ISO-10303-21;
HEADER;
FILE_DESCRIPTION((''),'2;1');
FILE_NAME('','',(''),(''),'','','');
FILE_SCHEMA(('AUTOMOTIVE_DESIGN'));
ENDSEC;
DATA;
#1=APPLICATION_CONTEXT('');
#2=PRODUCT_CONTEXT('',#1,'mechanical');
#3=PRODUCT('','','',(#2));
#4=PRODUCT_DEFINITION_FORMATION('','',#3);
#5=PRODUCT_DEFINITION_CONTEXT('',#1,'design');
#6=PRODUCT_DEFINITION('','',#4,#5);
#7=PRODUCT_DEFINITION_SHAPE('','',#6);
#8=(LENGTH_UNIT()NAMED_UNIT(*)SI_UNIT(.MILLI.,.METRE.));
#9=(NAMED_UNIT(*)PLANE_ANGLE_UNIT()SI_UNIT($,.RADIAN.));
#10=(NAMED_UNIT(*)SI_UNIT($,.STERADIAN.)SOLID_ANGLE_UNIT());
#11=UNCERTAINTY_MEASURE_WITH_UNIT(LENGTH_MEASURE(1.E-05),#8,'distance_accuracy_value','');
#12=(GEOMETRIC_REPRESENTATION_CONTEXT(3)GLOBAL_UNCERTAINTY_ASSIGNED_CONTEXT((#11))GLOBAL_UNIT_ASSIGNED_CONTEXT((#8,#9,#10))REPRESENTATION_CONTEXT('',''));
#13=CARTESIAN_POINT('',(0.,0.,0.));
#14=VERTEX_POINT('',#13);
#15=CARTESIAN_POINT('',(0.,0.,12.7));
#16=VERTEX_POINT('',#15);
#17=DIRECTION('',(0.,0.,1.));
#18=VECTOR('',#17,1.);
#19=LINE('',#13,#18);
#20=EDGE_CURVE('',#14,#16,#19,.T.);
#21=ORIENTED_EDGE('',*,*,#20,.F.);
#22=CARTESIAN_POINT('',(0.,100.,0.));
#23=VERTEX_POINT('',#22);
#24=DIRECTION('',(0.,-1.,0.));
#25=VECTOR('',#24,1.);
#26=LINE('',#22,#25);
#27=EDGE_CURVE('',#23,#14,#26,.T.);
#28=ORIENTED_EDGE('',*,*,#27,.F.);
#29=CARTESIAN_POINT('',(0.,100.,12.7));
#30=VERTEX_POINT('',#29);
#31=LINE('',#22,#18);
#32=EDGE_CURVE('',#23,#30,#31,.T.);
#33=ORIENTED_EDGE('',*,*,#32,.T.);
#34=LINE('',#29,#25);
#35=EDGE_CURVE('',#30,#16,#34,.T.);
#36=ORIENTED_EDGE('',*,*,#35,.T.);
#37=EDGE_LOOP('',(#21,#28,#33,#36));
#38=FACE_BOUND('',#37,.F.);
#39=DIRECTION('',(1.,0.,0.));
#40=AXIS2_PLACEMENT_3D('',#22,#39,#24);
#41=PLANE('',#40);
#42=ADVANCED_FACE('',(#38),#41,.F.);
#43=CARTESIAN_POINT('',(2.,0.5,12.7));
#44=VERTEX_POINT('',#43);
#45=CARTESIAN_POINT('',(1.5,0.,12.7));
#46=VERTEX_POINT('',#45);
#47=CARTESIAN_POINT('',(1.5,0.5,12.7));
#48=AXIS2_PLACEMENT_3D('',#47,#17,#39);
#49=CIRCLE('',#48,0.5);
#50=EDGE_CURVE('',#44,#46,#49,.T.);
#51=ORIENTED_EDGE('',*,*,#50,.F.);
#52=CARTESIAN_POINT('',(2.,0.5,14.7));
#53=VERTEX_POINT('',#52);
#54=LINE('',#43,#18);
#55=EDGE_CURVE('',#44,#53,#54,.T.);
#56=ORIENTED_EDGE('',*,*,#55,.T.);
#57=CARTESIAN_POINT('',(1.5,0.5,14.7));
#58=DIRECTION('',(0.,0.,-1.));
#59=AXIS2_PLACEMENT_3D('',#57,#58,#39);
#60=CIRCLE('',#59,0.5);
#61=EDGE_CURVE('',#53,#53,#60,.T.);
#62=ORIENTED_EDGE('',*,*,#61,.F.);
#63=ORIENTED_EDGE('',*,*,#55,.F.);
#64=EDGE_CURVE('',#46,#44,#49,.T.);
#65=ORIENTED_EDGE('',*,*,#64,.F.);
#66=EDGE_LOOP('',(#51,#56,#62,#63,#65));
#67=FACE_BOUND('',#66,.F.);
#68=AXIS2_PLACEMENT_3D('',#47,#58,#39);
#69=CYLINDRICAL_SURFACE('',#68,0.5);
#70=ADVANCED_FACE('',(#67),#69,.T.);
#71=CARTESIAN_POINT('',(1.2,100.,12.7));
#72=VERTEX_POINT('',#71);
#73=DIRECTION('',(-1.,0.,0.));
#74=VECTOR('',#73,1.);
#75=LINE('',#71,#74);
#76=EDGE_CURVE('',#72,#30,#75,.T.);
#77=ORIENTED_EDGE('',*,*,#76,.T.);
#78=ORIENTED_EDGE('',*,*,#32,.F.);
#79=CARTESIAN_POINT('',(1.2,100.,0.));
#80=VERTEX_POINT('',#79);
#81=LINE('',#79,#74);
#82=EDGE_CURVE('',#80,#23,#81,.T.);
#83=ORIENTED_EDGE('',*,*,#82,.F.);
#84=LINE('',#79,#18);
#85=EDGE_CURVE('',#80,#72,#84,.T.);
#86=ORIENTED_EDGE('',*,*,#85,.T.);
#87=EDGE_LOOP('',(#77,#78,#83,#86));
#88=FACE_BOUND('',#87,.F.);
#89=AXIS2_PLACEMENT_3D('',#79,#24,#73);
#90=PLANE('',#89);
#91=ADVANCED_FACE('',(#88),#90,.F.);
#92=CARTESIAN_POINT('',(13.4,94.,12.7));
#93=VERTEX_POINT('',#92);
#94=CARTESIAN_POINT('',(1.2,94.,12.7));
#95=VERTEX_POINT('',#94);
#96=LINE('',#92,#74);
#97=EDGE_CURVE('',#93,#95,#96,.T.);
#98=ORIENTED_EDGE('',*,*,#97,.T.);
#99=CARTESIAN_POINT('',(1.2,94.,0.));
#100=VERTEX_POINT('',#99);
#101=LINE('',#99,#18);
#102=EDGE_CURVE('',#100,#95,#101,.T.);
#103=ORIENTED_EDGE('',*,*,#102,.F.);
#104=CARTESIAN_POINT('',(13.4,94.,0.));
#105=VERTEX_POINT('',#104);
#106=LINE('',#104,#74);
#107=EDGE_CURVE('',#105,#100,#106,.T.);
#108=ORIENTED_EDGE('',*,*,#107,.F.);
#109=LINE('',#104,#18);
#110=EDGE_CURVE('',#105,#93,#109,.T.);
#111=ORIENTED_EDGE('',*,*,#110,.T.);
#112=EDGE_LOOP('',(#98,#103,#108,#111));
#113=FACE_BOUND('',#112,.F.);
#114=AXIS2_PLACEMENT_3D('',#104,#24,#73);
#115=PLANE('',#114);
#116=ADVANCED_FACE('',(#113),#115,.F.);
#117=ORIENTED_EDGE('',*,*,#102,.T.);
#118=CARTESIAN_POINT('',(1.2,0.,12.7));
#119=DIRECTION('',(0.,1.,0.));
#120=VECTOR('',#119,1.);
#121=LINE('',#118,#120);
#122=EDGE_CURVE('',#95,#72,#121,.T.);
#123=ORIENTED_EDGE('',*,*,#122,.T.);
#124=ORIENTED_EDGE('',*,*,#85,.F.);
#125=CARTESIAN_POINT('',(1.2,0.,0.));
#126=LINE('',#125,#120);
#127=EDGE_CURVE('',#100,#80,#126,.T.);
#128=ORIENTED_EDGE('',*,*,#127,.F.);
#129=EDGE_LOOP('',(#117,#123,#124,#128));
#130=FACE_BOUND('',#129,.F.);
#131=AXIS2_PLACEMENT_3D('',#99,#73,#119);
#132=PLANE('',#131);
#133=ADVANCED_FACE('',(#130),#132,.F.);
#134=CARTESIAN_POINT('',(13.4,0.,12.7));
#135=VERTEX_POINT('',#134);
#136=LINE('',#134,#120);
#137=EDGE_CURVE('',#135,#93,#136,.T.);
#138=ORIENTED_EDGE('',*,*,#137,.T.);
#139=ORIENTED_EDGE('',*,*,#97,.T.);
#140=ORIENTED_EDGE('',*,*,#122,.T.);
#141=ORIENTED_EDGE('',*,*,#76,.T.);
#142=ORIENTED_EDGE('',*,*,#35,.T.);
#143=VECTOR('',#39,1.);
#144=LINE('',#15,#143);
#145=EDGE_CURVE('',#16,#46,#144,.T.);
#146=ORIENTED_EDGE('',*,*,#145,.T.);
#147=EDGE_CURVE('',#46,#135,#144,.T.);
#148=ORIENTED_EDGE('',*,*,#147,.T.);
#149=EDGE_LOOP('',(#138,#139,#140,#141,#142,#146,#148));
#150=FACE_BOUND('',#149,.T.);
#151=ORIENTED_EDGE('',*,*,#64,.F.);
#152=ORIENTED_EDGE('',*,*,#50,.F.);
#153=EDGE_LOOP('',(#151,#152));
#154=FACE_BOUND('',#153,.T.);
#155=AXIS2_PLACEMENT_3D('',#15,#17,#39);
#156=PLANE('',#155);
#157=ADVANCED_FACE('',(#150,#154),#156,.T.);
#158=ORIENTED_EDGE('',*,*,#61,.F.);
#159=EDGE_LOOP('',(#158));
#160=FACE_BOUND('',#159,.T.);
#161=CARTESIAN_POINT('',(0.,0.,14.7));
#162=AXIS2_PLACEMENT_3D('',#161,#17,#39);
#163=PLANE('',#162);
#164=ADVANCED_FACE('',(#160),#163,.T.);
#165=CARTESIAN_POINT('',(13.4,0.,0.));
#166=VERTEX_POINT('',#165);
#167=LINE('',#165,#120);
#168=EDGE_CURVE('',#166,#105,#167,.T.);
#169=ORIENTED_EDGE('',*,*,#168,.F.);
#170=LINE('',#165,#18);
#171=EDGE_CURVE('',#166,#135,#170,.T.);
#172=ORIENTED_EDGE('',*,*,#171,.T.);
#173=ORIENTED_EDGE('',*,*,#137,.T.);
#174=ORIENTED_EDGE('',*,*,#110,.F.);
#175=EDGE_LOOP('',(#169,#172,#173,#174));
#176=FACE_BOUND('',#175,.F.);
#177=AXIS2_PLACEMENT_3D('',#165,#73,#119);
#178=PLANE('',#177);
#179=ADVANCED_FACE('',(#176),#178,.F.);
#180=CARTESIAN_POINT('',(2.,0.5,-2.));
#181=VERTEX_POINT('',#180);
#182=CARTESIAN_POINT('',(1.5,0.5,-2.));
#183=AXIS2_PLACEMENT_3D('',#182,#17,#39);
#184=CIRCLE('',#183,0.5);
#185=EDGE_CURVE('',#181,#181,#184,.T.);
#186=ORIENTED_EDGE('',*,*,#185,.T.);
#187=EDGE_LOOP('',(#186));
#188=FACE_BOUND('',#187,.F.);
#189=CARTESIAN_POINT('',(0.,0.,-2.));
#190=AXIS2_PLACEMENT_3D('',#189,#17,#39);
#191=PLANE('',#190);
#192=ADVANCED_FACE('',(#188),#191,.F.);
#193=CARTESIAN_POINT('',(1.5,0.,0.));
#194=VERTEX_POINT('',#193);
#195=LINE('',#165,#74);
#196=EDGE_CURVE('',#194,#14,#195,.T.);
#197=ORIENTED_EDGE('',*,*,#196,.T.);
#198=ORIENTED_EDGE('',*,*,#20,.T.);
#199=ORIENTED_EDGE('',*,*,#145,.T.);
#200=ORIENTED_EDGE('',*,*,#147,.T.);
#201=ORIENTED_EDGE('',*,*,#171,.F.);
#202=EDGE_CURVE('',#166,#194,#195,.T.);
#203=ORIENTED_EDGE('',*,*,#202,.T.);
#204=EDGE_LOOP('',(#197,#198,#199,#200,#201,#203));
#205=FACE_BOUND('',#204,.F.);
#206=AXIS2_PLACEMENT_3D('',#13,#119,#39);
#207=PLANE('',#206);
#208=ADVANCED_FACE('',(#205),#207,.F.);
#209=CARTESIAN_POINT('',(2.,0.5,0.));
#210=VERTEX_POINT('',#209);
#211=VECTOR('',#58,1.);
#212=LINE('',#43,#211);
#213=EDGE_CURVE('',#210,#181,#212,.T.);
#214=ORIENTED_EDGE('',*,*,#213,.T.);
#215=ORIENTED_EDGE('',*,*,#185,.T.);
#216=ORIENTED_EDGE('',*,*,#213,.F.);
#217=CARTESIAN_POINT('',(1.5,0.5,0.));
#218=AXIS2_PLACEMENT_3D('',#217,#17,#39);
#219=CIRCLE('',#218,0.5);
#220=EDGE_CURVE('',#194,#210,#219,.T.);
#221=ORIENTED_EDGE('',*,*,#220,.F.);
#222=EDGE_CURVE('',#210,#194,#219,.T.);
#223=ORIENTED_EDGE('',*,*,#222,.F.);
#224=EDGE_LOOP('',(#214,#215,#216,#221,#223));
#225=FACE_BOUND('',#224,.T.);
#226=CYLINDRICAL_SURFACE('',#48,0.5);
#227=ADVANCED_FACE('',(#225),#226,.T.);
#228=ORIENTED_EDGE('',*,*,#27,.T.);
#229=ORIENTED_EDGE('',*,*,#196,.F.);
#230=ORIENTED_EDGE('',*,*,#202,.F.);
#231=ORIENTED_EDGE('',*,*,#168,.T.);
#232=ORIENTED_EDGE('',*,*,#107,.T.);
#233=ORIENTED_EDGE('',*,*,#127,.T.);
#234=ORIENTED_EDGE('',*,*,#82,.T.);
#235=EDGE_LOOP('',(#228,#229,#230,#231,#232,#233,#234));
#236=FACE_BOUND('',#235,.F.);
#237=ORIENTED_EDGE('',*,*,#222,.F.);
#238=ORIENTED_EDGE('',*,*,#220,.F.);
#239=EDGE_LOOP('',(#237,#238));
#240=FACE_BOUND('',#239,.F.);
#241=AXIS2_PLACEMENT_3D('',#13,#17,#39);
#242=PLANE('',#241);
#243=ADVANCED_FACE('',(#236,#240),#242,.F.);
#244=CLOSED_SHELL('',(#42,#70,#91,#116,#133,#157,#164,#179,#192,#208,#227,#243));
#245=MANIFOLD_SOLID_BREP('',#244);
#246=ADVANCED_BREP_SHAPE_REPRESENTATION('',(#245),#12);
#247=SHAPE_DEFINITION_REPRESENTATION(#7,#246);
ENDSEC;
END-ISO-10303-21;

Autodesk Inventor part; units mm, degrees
ref_plane "YZ Plane" through (0, 0, 0) normal (1, 0, 0) x (0, 1, 0)
ref_plane "XZ Plane" through (0, 0, 0) normal (0, 1, 0) x (-1, 0, 0)
ref_plane "XY Plane" through (0, 0, 0) normal (0, 0, 1) x (1, 0, 0)
sketch "Sketch1" plane through (0, 0, 0) normal (0, 0, 1) x (1, 0, 0)
  line L0 (1.2, 100) -> (0, 100)
  line L1 (0, 100) -> (0, 0)
  line L2 (0, 0) -> (1.2, 0)
  line L3 (1.2, 0) -> (1.2, 100)
  line L4 (1.2, 0) -> (13.4, 0)
  line L5 (13.4, 0) -> (13.4, 94)
  line L6 (13.4, 94) -> (1.2, 94)
  line L7 (1.2, 94) -> (1.2, 0)
  dimension "d0" = 1.2
  dimension "d1" = 100
  dimension "d2" = 12.2
  dimension "d3" = 94
extrude "Extrusion1" add sketch "Sketch1" along normal blind 12.7
sketch "Sketch2" plane through (0, 0, 12.7) normal (0, 0, 1) x (1, 0, 0)
  circle A0 centre (1.5, 0.5) radius 0.5
  line L0 (0, 0) -> (13.4, 0) projected
  line L1 (0, 100) -> (0, 0) projected
  dimension "d6" = 1
  dimension "d7" = 1.5
extrude "Extrusion2" add sketch "Sketch2" along normal blind 2 and the other way blind 14.7
properties part number "Batt_pillar"
